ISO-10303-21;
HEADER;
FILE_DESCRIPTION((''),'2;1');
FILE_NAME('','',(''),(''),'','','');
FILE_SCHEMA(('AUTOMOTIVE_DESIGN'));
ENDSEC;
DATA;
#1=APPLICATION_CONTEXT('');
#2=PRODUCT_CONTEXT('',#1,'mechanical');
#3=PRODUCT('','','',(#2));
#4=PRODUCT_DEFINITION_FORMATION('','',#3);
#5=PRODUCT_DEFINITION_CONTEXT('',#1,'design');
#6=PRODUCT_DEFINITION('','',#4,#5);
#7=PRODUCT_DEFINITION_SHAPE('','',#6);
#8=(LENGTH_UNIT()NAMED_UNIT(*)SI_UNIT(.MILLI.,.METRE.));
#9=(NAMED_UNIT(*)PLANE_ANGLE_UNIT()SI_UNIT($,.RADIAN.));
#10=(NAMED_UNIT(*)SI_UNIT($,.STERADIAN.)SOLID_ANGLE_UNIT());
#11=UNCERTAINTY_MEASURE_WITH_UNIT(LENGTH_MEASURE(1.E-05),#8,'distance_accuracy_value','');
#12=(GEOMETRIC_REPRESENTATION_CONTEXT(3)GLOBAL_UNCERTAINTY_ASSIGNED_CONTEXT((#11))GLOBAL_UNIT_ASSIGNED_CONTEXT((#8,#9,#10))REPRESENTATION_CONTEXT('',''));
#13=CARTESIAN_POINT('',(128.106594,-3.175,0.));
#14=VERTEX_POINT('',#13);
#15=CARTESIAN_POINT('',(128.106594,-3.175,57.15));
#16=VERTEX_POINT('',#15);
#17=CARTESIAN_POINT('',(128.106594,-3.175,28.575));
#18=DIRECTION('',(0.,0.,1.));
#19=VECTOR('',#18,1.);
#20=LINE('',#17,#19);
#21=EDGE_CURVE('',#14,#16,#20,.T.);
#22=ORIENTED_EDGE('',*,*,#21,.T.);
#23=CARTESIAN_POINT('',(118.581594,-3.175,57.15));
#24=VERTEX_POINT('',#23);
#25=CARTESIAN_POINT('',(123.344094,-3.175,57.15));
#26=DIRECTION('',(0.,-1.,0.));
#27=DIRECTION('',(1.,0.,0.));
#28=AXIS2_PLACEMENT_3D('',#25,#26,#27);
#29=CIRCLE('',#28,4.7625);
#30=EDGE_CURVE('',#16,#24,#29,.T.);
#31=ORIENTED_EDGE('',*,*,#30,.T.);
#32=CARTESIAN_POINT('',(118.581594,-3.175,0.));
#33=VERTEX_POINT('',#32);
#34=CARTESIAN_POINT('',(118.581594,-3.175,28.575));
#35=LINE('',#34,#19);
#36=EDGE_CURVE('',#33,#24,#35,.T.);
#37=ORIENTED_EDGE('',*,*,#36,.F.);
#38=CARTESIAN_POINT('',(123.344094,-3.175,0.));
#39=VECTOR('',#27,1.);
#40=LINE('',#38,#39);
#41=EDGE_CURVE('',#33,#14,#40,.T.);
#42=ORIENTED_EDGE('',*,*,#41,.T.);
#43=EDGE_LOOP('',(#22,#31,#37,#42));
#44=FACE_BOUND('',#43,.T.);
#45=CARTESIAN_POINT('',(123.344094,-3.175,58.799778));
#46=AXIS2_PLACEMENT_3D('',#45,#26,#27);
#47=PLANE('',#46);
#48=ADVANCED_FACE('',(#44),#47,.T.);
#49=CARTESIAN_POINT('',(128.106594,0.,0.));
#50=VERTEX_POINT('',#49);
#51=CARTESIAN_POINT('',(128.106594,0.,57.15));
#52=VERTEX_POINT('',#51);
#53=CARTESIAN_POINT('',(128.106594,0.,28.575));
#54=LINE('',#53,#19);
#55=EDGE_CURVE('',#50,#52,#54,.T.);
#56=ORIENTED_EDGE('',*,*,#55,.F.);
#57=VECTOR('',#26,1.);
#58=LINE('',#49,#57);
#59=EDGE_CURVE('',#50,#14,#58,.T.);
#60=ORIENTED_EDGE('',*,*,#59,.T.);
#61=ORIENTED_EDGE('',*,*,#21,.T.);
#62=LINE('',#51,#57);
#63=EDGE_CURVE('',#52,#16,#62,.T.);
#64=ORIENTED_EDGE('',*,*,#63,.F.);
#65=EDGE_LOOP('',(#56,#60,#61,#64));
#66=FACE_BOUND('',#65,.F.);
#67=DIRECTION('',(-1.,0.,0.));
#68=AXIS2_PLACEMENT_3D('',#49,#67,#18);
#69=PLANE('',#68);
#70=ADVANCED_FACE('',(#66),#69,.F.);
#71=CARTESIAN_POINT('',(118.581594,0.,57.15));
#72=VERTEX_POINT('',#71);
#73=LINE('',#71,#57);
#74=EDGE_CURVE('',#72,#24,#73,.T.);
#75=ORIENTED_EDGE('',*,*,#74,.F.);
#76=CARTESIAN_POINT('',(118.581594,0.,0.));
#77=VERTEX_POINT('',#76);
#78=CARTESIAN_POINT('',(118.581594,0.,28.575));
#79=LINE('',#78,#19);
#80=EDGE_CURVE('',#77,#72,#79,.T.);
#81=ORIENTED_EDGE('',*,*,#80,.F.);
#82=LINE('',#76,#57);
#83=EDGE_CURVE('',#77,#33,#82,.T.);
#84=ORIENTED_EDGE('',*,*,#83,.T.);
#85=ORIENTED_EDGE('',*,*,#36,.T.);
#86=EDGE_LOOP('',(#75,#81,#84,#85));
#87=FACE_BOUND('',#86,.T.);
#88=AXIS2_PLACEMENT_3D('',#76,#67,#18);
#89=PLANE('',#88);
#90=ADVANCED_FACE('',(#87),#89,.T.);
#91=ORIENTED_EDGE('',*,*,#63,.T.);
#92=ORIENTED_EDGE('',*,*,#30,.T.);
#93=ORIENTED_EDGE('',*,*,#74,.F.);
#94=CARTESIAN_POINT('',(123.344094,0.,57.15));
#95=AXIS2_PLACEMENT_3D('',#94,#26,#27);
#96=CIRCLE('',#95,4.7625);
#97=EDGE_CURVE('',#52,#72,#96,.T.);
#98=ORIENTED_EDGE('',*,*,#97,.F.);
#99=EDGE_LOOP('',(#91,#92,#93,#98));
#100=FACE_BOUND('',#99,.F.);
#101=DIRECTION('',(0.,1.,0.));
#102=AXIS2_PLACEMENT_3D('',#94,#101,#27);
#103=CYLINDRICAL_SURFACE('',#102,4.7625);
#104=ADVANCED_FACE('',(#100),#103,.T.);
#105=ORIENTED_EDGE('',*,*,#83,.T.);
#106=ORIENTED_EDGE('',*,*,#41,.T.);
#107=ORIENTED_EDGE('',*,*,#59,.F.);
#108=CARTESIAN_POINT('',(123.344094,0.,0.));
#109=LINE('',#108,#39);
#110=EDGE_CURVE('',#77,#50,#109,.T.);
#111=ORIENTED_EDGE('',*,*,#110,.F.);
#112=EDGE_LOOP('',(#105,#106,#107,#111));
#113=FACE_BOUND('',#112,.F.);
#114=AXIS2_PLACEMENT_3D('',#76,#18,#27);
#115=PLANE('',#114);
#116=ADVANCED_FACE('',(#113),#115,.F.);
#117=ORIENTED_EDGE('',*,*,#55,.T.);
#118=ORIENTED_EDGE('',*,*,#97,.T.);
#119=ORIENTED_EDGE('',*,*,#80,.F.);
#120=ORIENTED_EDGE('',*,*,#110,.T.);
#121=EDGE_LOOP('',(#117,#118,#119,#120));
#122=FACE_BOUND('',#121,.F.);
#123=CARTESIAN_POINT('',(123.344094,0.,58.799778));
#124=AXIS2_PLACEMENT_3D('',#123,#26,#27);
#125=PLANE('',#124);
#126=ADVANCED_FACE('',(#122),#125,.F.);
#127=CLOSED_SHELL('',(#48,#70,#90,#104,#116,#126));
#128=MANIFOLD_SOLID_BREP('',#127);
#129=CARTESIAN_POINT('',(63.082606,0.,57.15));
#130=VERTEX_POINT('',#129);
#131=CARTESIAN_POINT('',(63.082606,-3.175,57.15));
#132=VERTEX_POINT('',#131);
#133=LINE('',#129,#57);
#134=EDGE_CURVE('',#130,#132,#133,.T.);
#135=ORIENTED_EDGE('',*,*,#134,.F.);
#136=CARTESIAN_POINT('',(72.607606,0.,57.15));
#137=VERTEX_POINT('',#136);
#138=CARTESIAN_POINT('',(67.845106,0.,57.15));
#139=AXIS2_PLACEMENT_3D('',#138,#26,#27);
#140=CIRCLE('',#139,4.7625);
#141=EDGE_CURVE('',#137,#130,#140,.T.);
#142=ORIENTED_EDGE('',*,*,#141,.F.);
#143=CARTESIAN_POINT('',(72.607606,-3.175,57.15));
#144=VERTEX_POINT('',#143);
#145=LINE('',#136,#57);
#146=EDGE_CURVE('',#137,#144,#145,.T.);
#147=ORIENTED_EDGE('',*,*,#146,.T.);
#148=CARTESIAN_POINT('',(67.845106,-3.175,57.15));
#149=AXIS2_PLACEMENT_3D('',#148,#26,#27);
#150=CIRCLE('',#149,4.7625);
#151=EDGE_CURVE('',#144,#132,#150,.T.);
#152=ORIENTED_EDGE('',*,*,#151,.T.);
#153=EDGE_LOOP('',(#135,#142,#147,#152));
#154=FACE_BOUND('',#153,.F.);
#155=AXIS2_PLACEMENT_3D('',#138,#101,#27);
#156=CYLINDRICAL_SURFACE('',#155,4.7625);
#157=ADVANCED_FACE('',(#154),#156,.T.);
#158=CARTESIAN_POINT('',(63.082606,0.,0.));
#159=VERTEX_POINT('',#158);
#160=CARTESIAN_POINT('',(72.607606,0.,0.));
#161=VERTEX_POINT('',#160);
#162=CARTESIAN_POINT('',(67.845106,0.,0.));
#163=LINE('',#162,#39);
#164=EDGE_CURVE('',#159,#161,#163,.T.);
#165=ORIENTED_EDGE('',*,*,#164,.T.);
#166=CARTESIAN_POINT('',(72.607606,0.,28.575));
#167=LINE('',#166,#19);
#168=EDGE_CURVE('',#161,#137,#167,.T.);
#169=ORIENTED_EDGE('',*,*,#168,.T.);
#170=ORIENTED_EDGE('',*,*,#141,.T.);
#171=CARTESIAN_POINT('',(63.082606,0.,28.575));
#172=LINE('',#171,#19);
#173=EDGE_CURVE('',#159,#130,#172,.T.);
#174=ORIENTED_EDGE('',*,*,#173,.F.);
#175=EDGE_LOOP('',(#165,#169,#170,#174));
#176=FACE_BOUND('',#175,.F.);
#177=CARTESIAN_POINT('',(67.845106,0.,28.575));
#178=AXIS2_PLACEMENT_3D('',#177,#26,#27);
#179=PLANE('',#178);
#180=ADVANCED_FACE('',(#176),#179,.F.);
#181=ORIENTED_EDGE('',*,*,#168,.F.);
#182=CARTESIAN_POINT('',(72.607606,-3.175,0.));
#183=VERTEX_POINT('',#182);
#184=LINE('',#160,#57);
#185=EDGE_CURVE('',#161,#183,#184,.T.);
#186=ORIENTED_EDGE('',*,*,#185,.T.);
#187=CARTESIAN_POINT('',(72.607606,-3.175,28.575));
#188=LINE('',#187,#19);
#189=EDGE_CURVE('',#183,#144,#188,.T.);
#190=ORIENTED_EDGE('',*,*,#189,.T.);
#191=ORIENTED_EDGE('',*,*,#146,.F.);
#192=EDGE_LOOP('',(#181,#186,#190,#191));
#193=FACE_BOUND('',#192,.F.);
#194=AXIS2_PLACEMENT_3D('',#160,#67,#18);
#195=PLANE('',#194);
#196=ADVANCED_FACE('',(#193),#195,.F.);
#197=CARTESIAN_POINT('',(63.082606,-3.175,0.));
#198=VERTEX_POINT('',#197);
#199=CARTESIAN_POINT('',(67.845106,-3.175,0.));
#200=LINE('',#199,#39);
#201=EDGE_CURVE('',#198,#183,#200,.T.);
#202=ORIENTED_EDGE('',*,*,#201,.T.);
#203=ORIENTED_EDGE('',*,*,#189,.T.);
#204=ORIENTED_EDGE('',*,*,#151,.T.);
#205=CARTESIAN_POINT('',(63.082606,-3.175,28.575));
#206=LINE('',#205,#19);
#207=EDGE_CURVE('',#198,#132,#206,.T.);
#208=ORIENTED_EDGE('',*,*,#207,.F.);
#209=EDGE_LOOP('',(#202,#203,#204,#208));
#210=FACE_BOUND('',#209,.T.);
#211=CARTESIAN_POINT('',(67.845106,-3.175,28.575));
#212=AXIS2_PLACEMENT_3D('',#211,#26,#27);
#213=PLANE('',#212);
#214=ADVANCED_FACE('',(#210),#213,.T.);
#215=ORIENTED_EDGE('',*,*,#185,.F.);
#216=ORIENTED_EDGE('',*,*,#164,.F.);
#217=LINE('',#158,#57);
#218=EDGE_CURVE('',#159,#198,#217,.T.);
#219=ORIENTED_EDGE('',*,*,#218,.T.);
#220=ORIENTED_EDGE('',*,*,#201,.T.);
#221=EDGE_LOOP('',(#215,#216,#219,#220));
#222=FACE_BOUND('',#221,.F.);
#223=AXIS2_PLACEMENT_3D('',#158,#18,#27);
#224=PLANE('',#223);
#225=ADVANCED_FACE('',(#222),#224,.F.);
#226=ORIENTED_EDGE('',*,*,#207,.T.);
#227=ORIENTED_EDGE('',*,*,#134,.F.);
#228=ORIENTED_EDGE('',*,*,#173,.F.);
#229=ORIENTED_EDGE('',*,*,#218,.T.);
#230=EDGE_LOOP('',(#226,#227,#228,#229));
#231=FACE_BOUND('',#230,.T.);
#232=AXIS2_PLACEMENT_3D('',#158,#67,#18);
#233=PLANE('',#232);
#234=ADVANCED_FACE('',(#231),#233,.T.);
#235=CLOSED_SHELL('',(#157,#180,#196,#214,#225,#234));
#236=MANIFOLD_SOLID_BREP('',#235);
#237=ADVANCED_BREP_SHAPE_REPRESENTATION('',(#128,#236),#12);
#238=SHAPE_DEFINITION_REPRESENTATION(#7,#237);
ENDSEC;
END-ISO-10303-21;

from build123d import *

# Parameters (mm, degrees)
F0_W     = 9.525
F0_H     = 57.15
F1_DEPTH = 3.175


with BuildPart() as f1:
    # F0 (on Front) → F1 (new body)
    with BuildSketch(Plane.XZ):
        with Locations((67.845106, 28.575)):
            Rectangle(F0_W, F0_H)
        with BuildLine():
            ThreePointArc((72.607606, 57.15), (67.845106, 61.9125), (63.082606, 57.15))
            Line((63.082606, 57.15), (72.607606, 57.15))
        make_face()
        with BuildLine():
            Line((118.581594, 57.15), (128.106594, 57.15))
            ThreePointArc((128.106594, 57.15), (123.344094, 61.9125), (118.581594, 57.15))
        make_face()
        with Locations((123.344094, 28.575)):
            Rectangle(F0_W, F0_H)
    extrude(amount=F1_DEPTH)


solid = f1.part
